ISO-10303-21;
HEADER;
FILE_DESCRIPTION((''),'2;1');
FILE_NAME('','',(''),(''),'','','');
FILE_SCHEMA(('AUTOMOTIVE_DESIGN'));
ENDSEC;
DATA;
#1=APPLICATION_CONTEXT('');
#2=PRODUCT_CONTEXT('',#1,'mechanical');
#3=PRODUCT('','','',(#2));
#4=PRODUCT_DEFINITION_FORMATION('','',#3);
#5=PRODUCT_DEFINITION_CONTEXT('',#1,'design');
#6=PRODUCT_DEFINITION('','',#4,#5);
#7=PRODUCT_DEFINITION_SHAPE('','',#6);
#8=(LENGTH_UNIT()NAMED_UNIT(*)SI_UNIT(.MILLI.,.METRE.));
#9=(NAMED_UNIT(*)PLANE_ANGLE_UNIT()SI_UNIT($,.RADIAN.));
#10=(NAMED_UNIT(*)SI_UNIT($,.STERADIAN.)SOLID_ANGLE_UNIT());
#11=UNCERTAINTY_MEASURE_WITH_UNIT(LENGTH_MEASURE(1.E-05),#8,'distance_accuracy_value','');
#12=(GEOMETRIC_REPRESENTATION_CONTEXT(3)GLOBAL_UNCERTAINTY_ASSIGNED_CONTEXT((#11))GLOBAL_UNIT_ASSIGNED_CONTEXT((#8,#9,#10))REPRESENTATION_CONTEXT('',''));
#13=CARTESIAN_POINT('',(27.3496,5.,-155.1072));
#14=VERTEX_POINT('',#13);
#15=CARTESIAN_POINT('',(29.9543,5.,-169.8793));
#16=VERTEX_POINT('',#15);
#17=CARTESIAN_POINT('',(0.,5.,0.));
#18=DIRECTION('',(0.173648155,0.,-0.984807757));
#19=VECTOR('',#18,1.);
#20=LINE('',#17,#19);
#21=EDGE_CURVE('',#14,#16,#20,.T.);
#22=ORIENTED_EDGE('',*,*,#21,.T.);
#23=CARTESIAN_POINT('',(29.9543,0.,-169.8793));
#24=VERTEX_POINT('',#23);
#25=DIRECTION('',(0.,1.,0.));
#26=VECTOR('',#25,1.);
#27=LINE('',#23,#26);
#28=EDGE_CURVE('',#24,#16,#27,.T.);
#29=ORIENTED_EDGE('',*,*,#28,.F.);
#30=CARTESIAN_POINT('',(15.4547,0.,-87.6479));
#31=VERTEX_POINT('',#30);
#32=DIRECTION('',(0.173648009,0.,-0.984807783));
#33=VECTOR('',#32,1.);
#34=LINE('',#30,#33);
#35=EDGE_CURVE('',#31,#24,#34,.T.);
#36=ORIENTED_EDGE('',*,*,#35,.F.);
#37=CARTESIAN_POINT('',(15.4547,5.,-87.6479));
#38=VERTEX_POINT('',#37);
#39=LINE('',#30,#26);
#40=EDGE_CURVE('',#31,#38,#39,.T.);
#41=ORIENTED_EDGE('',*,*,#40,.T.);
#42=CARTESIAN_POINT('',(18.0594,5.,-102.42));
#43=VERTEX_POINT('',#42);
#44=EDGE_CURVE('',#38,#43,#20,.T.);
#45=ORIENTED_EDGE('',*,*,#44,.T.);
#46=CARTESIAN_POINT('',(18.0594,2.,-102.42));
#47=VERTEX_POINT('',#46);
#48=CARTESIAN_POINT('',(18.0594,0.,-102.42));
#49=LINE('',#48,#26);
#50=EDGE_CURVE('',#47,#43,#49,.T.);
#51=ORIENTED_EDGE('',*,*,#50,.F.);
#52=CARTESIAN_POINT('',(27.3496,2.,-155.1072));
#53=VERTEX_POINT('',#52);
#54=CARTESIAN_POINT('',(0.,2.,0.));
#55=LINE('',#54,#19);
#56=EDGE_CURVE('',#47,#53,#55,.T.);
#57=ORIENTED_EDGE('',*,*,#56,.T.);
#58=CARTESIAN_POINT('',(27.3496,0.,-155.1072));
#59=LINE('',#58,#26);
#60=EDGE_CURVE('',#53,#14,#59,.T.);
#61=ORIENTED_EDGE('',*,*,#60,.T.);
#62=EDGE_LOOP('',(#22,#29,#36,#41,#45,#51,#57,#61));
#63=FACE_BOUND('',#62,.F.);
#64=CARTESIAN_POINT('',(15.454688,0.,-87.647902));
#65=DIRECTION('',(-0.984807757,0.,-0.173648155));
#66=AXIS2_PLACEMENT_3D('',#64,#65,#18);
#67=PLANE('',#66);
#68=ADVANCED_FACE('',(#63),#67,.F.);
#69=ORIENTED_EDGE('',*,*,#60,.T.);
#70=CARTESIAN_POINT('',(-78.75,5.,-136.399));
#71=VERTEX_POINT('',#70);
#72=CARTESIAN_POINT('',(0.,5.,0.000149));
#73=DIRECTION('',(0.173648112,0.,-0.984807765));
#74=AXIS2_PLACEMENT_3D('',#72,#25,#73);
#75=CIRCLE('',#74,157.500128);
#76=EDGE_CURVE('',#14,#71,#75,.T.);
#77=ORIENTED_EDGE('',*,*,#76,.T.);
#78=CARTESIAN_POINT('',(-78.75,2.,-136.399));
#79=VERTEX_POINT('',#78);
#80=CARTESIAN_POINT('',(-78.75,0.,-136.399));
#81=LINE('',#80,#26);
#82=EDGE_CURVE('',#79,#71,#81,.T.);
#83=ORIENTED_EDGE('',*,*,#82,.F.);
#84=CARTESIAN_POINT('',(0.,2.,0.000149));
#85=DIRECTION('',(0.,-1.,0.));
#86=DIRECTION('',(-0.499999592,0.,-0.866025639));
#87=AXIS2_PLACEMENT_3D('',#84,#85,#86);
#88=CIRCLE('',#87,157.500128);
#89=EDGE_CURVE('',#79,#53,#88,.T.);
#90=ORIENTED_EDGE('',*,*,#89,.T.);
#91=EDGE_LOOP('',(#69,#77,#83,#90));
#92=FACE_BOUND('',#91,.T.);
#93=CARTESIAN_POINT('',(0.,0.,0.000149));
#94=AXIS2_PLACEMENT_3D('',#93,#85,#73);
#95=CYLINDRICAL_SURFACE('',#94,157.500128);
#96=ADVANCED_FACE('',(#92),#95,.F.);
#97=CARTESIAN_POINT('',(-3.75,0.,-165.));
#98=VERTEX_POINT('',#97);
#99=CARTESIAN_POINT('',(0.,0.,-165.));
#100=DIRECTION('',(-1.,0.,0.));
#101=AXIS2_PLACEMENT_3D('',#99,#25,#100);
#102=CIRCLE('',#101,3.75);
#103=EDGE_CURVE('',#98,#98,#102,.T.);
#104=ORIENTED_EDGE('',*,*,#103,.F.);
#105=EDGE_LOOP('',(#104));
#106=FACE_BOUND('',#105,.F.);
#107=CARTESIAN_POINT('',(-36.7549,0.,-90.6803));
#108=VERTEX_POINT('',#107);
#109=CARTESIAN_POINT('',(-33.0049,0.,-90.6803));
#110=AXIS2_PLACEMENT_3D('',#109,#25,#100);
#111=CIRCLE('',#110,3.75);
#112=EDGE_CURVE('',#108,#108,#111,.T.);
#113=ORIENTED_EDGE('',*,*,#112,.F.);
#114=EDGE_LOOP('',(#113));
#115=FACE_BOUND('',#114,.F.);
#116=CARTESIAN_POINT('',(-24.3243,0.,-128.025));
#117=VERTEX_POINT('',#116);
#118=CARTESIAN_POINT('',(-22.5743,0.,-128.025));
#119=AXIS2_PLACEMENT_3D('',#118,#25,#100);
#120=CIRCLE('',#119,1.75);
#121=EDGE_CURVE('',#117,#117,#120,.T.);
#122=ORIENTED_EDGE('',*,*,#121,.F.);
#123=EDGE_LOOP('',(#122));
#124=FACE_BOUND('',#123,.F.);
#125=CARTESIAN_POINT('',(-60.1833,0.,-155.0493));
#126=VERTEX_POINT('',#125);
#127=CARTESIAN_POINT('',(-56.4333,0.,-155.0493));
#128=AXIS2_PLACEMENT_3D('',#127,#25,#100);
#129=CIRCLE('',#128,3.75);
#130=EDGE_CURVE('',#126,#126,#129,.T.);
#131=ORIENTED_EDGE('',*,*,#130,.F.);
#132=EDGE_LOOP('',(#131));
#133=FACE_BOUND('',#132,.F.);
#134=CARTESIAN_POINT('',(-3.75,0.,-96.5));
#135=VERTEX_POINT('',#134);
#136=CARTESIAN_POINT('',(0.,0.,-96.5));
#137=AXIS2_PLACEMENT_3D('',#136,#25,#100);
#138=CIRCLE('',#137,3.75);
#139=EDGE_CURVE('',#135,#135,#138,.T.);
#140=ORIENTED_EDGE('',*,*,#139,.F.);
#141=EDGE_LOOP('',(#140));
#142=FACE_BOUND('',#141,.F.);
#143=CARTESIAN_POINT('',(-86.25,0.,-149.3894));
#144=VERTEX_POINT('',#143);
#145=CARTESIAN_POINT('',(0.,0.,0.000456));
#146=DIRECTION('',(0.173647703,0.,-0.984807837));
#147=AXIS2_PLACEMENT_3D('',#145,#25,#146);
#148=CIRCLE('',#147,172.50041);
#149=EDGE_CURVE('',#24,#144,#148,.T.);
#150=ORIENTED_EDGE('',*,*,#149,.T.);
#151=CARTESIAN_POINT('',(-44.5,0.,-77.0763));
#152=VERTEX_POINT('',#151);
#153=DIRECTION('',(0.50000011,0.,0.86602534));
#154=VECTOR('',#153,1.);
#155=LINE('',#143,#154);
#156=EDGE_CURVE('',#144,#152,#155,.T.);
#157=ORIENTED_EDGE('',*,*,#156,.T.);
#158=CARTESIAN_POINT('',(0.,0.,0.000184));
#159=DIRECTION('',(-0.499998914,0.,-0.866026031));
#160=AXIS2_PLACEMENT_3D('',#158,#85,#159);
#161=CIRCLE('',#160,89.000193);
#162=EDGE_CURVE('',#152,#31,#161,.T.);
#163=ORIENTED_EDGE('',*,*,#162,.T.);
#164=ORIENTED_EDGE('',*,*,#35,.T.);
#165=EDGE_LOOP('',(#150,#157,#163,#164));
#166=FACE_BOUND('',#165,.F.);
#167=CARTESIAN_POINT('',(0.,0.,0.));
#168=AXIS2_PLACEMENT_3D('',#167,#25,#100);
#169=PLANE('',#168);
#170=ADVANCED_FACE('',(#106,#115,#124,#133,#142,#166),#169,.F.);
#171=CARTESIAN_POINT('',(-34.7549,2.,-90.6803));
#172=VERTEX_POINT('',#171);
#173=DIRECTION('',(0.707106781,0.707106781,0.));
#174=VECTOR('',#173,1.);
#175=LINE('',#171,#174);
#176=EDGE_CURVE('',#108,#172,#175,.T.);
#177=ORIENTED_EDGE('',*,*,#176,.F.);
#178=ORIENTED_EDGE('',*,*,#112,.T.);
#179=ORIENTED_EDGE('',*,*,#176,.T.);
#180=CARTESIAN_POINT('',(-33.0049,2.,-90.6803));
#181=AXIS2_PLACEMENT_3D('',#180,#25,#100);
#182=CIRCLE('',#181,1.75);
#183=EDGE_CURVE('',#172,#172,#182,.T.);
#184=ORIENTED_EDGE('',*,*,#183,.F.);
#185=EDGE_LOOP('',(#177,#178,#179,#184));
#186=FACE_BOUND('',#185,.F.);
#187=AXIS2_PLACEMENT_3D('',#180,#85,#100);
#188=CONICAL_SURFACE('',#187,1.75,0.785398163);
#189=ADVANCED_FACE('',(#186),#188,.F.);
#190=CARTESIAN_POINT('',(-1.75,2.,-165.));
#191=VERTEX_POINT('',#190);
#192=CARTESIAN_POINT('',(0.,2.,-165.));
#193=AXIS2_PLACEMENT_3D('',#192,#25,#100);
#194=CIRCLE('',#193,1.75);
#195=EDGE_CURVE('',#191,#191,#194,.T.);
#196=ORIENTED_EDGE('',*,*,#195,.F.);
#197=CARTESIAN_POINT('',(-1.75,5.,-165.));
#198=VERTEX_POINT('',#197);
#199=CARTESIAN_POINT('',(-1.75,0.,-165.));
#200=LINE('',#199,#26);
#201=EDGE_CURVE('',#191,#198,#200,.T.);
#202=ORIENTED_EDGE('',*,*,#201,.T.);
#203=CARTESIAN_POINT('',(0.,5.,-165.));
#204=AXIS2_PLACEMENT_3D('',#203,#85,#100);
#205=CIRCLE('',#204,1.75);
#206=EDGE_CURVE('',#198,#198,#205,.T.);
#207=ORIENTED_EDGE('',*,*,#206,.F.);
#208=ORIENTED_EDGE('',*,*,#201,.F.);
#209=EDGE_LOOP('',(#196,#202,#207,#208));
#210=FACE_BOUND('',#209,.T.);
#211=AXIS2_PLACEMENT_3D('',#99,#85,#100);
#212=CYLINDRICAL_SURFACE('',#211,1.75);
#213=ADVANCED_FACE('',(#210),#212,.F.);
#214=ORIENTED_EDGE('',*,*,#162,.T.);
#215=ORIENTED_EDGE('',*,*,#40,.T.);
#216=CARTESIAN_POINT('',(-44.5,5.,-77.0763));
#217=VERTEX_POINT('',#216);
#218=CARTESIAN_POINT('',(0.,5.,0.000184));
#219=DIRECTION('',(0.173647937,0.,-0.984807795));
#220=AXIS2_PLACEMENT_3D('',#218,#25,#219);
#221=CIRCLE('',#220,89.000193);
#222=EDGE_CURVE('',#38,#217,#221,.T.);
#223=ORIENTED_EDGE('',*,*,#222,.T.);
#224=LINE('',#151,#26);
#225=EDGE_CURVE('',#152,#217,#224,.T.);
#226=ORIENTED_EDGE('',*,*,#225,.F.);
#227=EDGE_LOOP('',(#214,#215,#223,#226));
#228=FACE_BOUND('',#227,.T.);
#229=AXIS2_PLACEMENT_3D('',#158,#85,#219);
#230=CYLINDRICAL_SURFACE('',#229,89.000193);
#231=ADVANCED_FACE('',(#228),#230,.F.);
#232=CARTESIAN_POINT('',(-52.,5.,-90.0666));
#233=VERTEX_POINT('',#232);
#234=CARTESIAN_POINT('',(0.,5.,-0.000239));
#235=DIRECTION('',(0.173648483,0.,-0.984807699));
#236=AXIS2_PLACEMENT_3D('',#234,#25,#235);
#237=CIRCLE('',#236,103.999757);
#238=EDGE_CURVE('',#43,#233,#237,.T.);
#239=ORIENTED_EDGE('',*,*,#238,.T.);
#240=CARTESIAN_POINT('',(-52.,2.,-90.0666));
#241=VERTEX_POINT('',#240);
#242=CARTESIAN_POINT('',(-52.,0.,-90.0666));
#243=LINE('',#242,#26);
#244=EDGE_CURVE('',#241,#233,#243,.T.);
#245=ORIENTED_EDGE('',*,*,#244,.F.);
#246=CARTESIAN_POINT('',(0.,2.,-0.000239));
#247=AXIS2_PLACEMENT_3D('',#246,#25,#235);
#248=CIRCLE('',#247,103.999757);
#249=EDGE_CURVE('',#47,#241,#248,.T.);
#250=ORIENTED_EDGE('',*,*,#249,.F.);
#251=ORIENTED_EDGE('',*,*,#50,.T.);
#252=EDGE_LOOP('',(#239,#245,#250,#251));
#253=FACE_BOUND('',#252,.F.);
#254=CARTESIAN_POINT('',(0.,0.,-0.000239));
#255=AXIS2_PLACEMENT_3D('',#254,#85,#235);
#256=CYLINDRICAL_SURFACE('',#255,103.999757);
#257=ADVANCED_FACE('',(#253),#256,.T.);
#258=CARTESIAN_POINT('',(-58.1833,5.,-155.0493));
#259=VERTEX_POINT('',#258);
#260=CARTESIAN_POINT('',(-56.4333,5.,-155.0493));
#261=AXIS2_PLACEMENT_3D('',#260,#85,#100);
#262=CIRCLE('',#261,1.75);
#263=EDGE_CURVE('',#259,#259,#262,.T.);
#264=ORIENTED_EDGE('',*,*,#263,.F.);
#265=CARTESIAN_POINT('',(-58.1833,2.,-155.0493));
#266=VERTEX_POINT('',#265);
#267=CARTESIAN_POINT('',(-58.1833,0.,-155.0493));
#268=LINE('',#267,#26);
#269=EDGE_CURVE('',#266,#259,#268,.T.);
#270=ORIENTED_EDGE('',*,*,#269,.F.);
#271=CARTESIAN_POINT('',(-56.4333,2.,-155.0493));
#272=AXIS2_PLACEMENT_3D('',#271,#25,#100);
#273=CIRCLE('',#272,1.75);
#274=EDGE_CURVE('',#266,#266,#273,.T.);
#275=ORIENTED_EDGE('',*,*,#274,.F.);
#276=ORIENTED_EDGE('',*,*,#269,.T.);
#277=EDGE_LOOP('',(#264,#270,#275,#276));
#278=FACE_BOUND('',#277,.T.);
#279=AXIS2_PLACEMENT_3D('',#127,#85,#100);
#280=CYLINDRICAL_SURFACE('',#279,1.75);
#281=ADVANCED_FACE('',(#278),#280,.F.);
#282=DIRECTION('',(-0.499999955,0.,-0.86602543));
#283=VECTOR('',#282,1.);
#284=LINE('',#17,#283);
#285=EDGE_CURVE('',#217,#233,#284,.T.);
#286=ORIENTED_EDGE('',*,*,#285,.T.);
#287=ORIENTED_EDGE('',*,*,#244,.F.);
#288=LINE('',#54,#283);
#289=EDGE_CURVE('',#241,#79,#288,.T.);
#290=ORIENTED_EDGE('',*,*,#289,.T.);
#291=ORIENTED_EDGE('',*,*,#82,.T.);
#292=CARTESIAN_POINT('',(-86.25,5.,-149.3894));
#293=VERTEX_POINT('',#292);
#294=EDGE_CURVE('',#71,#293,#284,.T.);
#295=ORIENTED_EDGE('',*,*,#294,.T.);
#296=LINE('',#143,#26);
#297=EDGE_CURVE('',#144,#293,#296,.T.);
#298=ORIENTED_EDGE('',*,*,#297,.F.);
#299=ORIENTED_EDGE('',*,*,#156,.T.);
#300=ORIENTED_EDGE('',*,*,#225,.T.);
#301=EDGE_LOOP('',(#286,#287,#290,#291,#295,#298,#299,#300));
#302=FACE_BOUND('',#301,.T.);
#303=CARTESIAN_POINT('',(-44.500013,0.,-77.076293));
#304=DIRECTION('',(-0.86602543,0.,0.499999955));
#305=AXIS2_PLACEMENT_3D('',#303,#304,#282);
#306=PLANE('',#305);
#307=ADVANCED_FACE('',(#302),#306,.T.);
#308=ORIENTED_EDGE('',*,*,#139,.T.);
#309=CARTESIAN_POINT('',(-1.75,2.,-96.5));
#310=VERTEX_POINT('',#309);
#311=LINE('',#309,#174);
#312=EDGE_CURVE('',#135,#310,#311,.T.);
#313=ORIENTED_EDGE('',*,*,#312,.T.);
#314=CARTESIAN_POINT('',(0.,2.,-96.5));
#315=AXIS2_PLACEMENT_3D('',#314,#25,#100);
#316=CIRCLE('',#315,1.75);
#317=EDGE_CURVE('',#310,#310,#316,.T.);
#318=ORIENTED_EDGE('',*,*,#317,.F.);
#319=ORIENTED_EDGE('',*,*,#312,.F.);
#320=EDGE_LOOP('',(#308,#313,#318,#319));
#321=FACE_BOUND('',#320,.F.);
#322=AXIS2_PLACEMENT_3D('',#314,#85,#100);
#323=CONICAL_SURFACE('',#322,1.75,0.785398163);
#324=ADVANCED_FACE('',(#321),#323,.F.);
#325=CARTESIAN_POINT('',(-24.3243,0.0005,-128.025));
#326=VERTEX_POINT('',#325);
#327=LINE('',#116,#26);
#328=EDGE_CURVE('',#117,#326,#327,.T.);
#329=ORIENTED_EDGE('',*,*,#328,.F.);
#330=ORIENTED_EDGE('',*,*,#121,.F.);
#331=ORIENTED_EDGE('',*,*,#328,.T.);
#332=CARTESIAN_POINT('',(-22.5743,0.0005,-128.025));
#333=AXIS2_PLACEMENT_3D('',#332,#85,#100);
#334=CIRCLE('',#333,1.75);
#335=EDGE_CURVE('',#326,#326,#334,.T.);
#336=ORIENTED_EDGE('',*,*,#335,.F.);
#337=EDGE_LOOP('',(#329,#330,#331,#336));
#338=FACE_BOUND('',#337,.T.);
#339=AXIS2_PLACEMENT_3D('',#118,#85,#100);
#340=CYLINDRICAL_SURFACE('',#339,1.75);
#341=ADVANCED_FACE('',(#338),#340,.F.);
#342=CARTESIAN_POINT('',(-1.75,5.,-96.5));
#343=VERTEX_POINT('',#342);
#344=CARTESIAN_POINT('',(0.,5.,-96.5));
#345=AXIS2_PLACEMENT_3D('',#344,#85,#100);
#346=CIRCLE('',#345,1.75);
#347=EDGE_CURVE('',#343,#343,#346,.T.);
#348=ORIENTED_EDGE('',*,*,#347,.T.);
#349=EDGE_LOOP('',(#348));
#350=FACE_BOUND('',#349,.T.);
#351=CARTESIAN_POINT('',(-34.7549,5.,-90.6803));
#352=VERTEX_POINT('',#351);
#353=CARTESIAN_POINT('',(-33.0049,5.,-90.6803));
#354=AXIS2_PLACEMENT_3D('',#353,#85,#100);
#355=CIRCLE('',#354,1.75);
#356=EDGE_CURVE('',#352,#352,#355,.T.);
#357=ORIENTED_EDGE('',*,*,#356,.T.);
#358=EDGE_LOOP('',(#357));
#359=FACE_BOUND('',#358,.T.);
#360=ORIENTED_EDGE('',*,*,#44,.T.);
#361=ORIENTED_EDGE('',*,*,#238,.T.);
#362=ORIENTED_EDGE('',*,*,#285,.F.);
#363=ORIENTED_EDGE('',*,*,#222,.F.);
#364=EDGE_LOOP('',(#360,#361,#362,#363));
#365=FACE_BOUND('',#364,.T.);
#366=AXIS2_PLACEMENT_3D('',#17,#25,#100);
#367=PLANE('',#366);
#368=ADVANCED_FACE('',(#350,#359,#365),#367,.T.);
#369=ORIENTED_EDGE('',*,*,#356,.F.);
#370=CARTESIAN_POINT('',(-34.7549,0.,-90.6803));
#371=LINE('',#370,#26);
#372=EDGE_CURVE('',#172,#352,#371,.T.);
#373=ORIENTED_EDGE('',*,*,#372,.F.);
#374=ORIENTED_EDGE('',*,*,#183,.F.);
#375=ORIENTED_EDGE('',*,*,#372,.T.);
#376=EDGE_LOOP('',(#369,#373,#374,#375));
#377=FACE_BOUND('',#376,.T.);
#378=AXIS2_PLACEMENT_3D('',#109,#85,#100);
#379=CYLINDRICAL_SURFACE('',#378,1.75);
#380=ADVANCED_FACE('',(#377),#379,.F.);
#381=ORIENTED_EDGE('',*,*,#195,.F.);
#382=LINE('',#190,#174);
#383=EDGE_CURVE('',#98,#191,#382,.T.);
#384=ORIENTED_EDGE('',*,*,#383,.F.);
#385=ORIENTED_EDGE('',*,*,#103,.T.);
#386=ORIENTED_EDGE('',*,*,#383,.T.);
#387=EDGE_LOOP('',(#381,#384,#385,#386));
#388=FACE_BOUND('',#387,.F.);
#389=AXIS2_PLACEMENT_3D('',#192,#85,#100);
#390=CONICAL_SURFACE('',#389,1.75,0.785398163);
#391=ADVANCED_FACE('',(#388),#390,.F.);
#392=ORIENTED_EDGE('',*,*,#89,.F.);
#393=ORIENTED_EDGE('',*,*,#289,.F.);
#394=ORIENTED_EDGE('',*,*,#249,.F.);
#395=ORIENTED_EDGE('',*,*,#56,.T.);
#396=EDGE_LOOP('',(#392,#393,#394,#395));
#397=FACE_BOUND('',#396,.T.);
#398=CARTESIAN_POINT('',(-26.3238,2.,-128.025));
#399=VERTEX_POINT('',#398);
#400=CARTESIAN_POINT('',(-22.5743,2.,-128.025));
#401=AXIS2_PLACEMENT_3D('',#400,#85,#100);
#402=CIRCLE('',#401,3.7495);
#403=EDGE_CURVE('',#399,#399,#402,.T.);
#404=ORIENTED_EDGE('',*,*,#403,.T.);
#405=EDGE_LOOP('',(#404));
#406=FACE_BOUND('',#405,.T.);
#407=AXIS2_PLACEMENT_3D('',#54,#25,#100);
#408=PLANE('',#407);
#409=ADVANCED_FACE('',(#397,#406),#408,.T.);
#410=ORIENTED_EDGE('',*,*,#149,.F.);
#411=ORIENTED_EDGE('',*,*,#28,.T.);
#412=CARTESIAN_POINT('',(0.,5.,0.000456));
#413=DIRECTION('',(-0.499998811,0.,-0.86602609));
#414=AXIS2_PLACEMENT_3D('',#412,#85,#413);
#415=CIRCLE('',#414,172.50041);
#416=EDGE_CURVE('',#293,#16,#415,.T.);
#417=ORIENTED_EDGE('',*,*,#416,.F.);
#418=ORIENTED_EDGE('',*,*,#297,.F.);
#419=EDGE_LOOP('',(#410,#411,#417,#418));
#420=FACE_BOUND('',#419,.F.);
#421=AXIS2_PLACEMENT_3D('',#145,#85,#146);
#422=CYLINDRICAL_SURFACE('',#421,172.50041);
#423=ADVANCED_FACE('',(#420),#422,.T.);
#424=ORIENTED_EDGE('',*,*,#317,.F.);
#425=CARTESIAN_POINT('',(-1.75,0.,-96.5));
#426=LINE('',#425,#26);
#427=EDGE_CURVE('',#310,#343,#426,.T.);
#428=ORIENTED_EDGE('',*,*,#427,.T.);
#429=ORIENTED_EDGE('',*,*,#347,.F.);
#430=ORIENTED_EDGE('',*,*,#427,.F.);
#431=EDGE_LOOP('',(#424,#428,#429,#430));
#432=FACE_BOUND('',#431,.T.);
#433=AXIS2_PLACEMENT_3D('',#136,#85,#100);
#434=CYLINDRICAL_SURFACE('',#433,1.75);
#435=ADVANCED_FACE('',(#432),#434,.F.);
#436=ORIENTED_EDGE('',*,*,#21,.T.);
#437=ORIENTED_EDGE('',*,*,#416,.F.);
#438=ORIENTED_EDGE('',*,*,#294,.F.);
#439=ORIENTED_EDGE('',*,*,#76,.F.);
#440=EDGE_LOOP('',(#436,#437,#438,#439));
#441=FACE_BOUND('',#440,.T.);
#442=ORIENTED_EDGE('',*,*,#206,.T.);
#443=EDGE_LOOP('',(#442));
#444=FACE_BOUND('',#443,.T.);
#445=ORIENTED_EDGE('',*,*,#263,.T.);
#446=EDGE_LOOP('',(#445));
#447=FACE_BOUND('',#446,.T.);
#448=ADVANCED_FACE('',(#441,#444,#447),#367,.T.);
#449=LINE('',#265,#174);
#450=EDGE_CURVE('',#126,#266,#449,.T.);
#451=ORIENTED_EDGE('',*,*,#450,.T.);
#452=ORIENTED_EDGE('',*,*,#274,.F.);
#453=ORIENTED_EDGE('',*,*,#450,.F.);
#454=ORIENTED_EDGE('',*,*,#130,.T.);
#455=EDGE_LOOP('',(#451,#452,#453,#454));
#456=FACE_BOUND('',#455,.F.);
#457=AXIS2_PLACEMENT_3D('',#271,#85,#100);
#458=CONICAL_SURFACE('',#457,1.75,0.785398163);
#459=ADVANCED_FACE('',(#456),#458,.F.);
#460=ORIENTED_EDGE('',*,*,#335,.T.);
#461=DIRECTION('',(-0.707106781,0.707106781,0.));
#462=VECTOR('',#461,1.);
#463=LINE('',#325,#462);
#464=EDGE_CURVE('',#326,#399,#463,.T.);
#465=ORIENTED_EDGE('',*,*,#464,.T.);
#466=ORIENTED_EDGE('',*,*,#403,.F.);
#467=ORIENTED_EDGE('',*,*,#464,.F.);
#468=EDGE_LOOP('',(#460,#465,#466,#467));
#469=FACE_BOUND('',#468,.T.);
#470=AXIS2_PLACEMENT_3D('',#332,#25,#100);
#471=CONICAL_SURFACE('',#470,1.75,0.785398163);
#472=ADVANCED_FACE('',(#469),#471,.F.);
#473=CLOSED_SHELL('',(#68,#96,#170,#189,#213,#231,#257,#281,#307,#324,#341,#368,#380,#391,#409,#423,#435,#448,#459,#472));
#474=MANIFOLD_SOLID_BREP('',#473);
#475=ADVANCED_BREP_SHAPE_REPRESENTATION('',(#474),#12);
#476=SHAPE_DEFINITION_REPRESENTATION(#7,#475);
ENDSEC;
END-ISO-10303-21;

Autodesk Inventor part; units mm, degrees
ref_plane "YZ Plane" through (0, 0, 0) normal (1, 0, 0) x (0, 1, 0)
ref_plane "XZ Plane" through (0, 0, 0) normal (0, 1, 0) x (-1, 0, 0)
ref_plane "XY Plane" through (0, 0, 0) normal (0, 0, 1) x (1, 0, 0)
sketch "Sketch1" plane through (0, 0, 0) normal (0, 1, 0) x (-1, 0, 0)
  circle A0 centre (0, 0) radius 89 construction
  circle A1 centre (0, 0) radius 104 construction
  circle A2 centre (0, 0) radius 157.5 construction
  circle A3 centre (0, 0) radius 172.5 construction
  circle A4 centre (0, 0) radius 96.5 construction
  circle A5 centre (0, 0) radius 165 construction
  line L0 (0, 0) -> (0, -209.0924)
  line L1 (0, 0) -> (71.5138, -196.4826)
  line L2 (0, 0) -> (134.402, -160.1741)
  line L3 (0, 0) -> (181.0793, -104.5462)
  line L4 (0, 0) -> (205.9158, -36.3085)
  line L5 (0, 0) -> (205.9158, 36.3085)
  line L6 (0, 0) -> (181.0793, 104.5462)
  line L7 (0, 0) -> (134.402, 160.1741)
  line L8 (0, 0) -> (71.5138, 196.4826)
  line L9 (0, 0) -> (0, 209.0924)
  line L10 (0, 0) -> (-71.5138, 196.4826)
  line L11 (0, 0) -> (-134.402, 160.1741)
  line L12 (0, 0) -> (-181.0793, 104.5462)
  line L13 (0, 0) -> (-205.9158, 36.3085)
  line L14 (0, 0) -> (-205.9158, -36.3085)
  line L15 (0, 0) -> (-181.0793, -104.5462)
  line L16 (0, 0) -> (-134.402, -160.1741)
  line L17 (0, 0) -> (-71.5138, -196.4826)
  circle A6 centre (33.0049, -90.6803) radius 1.75
  circle A7 centre (56.4333, -155.0493) radius 1.75
  circle A8 centre (0, -96.5) radius 1.75
  circle A9 centre (0, -165) radius 1.75
  line L18 (0, 0) -> (86.25, -149.3894)
  line L19 (0, 0) -> (-29.9543, -169.8793)
  arc A10 (-29.9543, -169.8793) -> (86.25, -149.3894) centre (0, 0) ccw
  arc A11 (-15.4547, -87.6479) -> (44.5, -77.0763) centre (0, 0) ccw
  arc A12 (-18.0594, -102.42) -> (52, -90.0666) centre (0, 0) ccw
  arc A13 (-27.3496, -155.1072) -> (78.75, -136.399) centre (0, 0) ccw
  line L20 (0, 0) -> (25.4898, -144.5597)
  arc A14 (-8.5012, -129.7217) -> (33.7594, -125.5401) centre (0, 0) ccw
  circle A15 centre (22.5743, -128.025) radius 1.75
  dimension "d0" = 178
  dimension "d1" = 208
  dimension "d2" = 315
  dimension "d3" = 345
  dimension "d4" = 193
  dimension "d5" = 330
  dimension "d8" = 360
  dimension "d11" = 3.5
  dimension "d13" = 3.5
  dimension "d14" = 3.5
  dimension "d15" = 3.5
  dimension "d23" = 10
  dimension "d24" = 10
  dimension "d25" = 20
  dimension "d26" = 130
  dimension "d27" = 3.5
extrude "Extrusion1" add sketch "Sketch1" along normal blind 5 contours A11 L20 A12 L0 A8 | L0 A8 A12 L19 A11 | A11 L18 A12 L1 A6 | L1 A6 A12 L20 A11 | L18 A10 L1 A7 A13 | A13 L0 A9 A10 L19 | L1 A7 A10 L0 A9 A13
extrude "Extrusion2" add sketch "Sketch1" along normal blind 2 contours L18 A13 L1 A12 | A12 L0 A13 L19 | L20 A15 A14 L0 A12 | A12 L1 A13 L0 A14 A15 L20 | A15 A14 L20 | L20 A14 A15 | A14 A15 L20 | L20 A15 A14
chamfer "Chamfer1" distance 2 angle 45 4 edges at (1.75, 0, -96.5) (1.75, 0, -165) (-54.6833, 0, -155.0493) (-31.2549, 0, -90.6803)
extrude "Extrusion3" cut sketch "Sketch1" along normal through all contours A15 A14 L20 | L20 A14 A15 | A14 A15 L20 | L20 A15 A14
chamfer "Chamfer2" distance 2 angle 45 1 edges at (-20.8243, 2, -128.025)
properties part number "stator-bottom-connector"
